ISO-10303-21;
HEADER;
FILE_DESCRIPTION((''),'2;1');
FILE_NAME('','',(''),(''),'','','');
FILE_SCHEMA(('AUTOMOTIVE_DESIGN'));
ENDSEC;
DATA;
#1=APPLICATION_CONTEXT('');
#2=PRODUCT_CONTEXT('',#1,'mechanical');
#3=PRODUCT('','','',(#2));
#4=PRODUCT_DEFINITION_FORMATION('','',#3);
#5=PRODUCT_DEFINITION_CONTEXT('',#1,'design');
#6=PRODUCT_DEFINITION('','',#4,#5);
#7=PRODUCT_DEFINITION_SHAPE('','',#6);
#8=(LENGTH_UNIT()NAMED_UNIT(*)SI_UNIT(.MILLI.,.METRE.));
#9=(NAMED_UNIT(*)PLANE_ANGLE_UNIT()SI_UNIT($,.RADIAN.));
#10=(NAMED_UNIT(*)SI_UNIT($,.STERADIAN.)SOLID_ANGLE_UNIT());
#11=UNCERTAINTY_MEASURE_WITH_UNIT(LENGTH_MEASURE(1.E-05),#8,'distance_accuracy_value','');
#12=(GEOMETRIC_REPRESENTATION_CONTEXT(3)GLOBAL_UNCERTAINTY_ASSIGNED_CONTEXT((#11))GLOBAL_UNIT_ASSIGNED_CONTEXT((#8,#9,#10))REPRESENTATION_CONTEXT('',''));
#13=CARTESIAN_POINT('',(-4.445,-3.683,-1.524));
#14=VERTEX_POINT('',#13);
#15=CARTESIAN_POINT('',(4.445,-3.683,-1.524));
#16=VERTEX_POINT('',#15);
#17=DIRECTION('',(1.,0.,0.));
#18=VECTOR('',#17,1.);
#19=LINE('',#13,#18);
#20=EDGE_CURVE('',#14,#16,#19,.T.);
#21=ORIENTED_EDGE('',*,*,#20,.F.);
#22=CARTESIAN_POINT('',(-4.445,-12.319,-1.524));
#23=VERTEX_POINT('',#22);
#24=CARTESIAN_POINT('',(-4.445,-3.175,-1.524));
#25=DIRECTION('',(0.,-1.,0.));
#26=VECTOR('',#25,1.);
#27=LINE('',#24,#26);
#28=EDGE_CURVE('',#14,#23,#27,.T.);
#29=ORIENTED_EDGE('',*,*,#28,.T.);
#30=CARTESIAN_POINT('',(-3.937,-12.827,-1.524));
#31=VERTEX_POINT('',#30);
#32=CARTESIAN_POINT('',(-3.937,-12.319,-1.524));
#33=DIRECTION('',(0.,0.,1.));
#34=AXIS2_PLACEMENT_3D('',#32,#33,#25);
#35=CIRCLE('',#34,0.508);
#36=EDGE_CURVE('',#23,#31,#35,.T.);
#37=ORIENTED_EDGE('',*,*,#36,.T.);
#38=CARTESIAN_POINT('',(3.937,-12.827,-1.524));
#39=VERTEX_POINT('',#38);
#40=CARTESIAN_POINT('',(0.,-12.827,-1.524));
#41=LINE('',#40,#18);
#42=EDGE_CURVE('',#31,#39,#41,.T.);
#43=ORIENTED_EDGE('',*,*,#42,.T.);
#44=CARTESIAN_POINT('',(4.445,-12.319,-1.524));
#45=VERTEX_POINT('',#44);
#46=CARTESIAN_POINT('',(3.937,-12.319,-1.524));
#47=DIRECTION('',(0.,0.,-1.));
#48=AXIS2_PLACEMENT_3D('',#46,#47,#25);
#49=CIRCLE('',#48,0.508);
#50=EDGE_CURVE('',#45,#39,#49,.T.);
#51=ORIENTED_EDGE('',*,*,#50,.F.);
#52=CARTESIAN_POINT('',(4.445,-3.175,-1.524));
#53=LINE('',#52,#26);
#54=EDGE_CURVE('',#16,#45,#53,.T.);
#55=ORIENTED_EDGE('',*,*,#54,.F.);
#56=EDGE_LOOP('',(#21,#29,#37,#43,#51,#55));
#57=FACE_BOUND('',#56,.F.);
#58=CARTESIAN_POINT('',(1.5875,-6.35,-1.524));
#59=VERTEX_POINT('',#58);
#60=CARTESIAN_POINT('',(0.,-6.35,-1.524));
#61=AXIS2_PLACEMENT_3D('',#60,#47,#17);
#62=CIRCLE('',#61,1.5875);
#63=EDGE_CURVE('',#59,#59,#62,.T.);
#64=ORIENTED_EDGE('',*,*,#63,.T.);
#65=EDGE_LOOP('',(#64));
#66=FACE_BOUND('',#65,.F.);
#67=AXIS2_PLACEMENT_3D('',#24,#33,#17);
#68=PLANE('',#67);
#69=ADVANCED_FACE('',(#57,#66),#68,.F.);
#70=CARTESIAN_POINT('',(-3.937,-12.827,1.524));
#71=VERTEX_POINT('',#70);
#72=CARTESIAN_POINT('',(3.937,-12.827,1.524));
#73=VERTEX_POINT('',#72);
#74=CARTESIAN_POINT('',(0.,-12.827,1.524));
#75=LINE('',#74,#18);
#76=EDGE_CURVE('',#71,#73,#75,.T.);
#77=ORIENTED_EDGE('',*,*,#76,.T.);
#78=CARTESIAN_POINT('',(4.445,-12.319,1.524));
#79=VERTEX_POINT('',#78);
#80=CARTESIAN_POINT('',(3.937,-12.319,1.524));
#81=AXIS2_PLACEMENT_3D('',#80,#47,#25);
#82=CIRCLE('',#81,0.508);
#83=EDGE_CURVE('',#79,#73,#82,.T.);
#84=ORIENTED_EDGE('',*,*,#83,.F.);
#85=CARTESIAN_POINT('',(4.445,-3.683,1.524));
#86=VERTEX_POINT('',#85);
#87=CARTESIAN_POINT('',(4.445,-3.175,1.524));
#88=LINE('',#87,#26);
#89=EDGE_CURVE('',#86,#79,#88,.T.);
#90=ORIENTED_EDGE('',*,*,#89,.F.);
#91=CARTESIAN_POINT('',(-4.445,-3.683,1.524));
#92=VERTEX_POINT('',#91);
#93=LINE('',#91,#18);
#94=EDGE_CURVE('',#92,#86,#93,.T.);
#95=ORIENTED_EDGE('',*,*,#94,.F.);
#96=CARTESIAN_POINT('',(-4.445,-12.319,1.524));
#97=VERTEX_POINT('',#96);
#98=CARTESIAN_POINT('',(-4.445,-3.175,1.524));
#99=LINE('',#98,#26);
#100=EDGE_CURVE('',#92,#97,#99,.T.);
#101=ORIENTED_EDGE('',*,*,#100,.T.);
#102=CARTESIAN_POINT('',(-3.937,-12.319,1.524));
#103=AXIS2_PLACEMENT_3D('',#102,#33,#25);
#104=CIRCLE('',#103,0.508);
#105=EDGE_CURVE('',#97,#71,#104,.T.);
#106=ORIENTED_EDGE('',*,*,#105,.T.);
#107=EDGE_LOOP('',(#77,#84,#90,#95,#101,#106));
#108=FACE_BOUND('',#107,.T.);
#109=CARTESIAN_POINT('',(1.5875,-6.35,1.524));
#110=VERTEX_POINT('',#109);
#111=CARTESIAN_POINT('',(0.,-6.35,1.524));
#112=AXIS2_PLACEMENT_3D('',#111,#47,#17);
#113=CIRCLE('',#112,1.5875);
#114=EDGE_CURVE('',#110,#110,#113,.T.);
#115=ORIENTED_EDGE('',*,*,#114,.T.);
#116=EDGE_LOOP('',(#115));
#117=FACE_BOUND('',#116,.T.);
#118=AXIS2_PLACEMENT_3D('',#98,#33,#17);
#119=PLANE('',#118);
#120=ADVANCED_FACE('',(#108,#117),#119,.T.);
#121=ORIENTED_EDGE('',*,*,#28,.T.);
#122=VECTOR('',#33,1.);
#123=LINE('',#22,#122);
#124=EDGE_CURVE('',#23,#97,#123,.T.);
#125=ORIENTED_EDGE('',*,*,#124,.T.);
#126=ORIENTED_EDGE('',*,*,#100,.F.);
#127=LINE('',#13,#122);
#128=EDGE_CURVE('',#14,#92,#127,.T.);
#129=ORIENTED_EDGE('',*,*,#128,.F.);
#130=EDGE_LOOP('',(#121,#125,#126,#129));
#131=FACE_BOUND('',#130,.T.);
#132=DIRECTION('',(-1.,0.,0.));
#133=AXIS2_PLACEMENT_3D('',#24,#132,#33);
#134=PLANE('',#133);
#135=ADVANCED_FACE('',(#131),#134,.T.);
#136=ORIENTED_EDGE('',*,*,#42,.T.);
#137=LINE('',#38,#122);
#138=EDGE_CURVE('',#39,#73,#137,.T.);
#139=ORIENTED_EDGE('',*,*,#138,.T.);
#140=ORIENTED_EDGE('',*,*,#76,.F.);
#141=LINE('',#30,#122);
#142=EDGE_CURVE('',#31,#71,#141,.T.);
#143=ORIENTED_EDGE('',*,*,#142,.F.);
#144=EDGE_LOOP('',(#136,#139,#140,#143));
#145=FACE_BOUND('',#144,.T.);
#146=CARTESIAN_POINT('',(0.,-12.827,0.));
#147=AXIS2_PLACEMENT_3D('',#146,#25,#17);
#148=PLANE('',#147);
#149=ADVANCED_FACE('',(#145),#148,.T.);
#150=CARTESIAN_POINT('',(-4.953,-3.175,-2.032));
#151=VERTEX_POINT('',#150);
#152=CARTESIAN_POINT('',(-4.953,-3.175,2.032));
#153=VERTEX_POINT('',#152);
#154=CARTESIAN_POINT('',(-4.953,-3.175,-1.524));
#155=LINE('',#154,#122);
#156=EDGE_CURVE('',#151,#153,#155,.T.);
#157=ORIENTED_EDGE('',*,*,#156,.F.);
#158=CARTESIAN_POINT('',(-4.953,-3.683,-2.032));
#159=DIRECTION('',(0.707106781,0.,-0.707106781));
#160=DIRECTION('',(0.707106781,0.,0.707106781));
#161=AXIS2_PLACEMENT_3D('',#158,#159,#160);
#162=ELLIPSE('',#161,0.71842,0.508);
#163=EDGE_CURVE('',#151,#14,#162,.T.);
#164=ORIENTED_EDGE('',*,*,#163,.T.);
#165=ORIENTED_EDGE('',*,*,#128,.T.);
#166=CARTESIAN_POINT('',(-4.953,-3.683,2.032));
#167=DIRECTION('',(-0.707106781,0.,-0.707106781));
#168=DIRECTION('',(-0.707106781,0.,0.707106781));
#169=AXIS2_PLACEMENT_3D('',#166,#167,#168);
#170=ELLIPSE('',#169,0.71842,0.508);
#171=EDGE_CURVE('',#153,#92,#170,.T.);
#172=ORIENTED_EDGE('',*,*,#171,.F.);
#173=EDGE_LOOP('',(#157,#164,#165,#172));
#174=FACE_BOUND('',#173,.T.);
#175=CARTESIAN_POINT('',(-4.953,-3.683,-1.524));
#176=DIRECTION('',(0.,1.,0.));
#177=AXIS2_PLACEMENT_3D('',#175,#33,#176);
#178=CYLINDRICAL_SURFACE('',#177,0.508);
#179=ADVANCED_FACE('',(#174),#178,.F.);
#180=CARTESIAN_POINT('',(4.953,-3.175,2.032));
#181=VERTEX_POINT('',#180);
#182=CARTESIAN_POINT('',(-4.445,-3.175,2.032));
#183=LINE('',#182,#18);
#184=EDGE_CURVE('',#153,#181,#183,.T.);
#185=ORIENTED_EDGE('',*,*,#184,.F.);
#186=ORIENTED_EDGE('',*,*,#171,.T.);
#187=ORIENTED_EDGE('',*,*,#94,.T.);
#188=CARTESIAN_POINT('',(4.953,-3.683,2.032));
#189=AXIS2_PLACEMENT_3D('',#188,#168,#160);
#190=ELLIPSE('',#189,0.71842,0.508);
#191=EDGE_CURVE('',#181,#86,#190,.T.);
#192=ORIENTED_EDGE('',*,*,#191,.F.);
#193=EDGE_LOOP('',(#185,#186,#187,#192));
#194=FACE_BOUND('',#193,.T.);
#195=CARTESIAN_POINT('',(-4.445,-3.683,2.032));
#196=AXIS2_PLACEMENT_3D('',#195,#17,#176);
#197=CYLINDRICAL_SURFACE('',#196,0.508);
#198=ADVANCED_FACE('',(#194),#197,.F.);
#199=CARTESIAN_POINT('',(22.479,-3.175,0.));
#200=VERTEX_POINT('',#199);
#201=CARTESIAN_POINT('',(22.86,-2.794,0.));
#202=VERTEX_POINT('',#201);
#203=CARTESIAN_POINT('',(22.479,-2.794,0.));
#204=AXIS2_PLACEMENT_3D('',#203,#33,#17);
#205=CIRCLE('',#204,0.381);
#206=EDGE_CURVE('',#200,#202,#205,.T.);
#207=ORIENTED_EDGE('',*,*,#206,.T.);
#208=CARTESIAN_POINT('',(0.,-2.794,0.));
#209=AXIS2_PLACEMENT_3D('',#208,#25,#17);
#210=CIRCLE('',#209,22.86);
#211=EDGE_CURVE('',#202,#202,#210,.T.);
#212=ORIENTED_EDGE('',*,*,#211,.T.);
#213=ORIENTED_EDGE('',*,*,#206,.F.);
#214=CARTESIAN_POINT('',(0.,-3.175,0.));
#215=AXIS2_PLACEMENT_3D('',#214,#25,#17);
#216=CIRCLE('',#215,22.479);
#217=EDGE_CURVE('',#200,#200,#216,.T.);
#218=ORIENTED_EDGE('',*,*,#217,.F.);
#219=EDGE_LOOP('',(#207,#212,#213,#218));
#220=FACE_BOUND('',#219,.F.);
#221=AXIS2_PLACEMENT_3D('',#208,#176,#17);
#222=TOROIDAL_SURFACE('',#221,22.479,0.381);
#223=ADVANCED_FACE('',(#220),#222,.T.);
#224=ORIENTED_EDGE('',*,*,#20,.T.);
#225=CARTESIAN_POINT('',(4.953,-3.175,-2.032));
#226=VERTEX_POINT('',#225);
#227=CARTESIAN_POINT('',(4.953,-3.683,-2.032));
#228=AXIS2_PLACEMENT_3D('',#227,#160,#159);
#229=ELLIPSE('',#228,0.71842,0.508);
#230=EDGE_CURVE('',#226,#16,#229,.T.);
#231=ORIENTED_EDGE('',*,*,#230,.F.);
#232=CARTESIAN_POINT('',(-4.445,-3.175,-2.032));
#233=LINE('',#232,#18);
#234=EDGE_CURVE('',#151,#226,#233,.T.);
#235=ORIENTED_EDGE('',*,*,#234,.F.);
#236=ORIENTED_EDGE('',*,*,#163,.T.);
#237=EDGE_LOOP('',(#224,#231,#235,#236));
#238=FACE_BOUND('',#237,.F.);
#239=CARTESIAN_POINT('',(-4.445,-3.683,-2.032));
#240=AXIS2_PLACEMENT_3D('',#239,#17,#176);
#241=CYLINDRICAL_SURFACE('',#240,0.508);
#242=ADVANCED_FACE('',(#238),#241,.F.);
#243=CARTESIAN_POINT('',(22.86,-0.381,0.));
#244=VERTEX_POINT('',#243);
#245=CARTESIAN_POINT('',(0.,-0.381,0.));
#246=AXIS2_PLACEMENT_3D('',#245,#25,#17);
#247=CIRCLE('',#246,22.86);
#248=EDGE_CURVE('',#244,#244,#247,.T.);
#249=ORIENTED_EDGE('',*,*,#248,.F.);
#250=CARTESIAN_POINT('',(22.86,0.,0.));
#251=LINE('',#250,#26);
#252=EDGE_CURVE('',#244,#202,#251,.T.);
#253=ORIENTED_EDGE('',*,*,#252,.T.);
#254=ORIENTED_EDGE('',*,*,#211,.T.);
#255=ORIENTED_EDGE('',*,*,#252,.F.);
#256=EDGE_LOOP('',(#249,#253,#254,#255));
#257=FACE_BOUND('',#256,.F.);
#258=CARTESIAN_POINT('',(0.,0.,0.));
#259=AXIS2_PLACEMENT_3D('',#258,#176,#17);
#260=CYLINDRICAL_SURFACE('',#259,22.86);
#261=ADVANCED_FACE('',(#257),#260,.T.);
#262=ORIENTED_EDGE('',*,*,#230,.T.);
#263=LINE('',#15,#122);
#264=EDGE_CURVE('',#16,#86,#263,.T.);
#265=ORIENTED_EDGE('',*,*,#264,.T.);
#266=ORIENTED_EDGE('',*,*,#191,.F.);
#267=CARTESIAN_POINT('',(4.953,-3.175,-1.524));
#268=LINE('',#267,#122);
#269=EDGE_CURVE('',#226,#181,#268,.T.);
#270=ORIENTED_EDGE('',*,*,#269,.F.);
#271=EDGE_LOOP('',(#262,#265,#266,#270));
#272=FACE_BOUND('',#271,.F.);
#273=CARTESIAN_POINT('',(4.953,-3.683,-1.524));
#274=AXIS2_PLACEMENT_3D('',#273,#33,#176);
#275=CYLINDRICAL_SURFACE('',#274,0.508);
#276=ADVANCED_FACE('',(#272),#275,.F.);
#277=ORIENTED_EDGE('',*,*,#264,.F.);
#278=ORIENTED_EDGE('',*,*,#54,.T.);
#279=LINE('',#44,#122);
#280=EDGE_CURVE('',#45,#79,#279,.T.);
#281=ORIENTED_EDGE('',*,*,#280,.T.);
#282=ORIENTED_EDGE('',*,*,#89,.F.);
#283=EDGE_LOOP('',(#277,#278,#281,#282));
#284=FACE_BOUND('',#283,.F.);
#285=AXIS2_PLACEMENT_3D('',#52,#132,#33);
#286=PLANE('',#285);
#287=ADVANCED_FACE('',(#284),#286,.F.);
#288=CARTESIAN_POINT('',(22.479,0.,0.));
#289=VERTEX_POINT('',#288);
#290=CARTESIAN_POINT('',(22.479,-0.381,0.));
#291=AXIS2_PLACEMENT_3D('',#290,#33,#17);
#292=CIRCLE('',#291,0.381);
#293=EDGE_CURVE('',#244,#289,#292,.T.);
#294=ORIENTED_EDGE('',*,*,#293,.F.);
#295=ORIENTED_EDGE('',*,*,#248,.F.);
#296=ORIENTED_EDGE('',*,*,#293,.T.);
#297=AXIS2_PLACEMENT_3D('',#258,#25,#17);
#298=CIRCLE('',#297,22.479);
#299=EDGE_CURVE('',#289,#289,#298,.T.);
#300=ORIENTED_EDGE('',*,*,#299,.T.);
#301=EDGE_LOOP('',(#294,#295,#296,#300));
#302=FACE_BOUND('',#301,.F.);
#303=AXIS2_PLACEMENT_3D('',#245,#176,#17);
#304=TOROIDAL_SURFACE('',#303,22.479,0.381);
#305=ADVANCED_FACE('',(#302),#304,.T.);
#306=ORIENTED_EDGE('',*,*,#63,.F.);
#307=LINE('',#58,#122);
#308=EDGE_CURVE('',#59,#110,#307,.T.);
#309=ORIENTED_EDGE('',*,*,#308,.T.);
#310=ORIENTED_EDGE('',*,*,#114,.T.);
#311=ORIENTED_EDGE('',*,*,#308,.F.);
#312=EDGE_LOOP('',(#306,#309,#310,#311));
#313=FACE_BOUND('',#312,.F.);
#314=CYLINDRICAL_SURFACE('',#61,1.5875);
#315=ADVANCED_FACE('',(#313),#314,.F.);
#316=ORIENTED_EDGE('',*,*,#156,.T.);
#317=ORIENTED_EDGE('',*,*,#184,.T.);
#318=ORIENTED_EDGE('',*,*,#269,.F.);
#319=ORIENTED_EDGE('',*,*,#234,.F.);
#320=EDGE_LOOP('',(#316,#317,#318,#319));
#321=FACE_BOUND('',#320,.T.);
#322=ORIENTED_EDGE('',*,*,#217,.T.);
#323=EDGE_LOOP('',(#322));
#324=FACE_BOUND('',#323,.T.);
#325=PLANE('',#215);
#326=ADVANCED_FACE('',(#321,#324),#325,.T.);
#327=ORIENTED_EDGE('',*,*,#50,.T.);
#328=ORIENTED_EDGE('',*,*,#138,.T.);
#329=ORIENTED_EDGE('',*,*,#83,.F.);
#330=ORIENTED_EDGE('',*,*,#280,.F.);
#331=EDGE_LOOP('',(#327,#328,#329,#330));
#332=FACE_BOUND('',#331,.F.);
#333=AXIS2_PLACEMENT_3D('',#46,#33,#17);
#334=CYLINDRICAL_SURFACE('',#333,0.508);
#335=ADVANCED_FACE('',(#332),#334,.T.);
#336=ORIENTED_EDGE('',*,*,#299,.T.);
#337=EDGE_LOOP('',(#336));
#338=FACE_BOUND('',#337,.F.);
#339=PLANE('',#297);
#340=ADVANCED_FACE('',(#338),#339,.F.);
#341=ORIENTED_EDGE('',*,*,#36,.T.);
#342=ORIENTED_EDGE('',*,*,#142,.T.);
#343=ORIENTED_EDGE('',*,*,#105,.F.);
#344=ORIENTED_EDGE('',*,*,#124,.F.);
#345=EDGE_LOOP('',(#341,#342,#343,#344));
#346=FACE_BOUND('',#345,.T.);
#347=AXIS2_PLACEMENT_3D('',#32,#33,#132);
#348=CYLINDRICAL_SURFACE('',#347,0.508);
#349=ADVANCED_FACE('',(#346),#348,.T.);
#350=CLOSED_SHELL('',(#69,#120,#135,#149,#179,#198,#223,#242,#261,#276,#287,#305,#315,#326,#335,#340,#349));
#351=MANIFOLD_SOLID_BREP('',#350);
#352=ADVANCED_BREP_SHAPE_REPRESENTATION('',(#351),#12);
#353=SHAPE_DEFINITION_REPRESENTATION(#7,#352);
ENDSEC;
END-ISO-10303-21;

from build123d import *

# Parameters (mm, degrees)
F0_R     = 22.86
F1_DEPTH = 3.175
F2_W     = 8.89
F2_H     = 3.048
F3_DEPTH = 9.652
F4_R     = 1.5875
F5_DEPTH = 24.385
F6_R     = 0.508
F7_R     = 0.381


with BuildPart() as f1:
    # F0 (on Front) → F1 (new body)
    with BuildSketch(Plane.XZ):
        Circle(F0_R)
    extrude(amount=F1_DEPTH)

    # F2 (on face) → F3 (join)
    with BuildSketch(Plane.XZ.offset(3.175)):
        Rectangle(F2_W, F2_H)
    extrude(amount=F3_DEPTH)

    # F4 (on face) → F5 (cut, through all)
    with BuildSketch(Plane(origin=(0, 0, -1.524), x_dir=(1, 0, 0), z_dir=(0, 0, -1))):
        with Locations((0, 6.35)):
            Circle(F4_R)
    extrude(amount=-F5_DEPTH, mode=Mode.SUBTRACT)

    # F6
    f6_edges = [f1.edges().sort_by_distance(p)[0] for p in [
        (-4.445, -12.827, 0),
        (4.445, -12.827, 0),
        (0, -3.175, -1.524),
        (-4.445, -3.175, 0),
        (4.445, -3.175, 0),
        (0, -3.175, 1.524),
    ]]
    fillet(f6_edges, radius=F6_R)

    # F7
    f7_edges = [f1.edges().sort_by_distance(p)[0] for p in [
        (-22.86, -3.175, 0),
        (-22.86, 0, 0),
    ]]
    fillet(f7_edges, radius=F7_R)


solid = f1.part
